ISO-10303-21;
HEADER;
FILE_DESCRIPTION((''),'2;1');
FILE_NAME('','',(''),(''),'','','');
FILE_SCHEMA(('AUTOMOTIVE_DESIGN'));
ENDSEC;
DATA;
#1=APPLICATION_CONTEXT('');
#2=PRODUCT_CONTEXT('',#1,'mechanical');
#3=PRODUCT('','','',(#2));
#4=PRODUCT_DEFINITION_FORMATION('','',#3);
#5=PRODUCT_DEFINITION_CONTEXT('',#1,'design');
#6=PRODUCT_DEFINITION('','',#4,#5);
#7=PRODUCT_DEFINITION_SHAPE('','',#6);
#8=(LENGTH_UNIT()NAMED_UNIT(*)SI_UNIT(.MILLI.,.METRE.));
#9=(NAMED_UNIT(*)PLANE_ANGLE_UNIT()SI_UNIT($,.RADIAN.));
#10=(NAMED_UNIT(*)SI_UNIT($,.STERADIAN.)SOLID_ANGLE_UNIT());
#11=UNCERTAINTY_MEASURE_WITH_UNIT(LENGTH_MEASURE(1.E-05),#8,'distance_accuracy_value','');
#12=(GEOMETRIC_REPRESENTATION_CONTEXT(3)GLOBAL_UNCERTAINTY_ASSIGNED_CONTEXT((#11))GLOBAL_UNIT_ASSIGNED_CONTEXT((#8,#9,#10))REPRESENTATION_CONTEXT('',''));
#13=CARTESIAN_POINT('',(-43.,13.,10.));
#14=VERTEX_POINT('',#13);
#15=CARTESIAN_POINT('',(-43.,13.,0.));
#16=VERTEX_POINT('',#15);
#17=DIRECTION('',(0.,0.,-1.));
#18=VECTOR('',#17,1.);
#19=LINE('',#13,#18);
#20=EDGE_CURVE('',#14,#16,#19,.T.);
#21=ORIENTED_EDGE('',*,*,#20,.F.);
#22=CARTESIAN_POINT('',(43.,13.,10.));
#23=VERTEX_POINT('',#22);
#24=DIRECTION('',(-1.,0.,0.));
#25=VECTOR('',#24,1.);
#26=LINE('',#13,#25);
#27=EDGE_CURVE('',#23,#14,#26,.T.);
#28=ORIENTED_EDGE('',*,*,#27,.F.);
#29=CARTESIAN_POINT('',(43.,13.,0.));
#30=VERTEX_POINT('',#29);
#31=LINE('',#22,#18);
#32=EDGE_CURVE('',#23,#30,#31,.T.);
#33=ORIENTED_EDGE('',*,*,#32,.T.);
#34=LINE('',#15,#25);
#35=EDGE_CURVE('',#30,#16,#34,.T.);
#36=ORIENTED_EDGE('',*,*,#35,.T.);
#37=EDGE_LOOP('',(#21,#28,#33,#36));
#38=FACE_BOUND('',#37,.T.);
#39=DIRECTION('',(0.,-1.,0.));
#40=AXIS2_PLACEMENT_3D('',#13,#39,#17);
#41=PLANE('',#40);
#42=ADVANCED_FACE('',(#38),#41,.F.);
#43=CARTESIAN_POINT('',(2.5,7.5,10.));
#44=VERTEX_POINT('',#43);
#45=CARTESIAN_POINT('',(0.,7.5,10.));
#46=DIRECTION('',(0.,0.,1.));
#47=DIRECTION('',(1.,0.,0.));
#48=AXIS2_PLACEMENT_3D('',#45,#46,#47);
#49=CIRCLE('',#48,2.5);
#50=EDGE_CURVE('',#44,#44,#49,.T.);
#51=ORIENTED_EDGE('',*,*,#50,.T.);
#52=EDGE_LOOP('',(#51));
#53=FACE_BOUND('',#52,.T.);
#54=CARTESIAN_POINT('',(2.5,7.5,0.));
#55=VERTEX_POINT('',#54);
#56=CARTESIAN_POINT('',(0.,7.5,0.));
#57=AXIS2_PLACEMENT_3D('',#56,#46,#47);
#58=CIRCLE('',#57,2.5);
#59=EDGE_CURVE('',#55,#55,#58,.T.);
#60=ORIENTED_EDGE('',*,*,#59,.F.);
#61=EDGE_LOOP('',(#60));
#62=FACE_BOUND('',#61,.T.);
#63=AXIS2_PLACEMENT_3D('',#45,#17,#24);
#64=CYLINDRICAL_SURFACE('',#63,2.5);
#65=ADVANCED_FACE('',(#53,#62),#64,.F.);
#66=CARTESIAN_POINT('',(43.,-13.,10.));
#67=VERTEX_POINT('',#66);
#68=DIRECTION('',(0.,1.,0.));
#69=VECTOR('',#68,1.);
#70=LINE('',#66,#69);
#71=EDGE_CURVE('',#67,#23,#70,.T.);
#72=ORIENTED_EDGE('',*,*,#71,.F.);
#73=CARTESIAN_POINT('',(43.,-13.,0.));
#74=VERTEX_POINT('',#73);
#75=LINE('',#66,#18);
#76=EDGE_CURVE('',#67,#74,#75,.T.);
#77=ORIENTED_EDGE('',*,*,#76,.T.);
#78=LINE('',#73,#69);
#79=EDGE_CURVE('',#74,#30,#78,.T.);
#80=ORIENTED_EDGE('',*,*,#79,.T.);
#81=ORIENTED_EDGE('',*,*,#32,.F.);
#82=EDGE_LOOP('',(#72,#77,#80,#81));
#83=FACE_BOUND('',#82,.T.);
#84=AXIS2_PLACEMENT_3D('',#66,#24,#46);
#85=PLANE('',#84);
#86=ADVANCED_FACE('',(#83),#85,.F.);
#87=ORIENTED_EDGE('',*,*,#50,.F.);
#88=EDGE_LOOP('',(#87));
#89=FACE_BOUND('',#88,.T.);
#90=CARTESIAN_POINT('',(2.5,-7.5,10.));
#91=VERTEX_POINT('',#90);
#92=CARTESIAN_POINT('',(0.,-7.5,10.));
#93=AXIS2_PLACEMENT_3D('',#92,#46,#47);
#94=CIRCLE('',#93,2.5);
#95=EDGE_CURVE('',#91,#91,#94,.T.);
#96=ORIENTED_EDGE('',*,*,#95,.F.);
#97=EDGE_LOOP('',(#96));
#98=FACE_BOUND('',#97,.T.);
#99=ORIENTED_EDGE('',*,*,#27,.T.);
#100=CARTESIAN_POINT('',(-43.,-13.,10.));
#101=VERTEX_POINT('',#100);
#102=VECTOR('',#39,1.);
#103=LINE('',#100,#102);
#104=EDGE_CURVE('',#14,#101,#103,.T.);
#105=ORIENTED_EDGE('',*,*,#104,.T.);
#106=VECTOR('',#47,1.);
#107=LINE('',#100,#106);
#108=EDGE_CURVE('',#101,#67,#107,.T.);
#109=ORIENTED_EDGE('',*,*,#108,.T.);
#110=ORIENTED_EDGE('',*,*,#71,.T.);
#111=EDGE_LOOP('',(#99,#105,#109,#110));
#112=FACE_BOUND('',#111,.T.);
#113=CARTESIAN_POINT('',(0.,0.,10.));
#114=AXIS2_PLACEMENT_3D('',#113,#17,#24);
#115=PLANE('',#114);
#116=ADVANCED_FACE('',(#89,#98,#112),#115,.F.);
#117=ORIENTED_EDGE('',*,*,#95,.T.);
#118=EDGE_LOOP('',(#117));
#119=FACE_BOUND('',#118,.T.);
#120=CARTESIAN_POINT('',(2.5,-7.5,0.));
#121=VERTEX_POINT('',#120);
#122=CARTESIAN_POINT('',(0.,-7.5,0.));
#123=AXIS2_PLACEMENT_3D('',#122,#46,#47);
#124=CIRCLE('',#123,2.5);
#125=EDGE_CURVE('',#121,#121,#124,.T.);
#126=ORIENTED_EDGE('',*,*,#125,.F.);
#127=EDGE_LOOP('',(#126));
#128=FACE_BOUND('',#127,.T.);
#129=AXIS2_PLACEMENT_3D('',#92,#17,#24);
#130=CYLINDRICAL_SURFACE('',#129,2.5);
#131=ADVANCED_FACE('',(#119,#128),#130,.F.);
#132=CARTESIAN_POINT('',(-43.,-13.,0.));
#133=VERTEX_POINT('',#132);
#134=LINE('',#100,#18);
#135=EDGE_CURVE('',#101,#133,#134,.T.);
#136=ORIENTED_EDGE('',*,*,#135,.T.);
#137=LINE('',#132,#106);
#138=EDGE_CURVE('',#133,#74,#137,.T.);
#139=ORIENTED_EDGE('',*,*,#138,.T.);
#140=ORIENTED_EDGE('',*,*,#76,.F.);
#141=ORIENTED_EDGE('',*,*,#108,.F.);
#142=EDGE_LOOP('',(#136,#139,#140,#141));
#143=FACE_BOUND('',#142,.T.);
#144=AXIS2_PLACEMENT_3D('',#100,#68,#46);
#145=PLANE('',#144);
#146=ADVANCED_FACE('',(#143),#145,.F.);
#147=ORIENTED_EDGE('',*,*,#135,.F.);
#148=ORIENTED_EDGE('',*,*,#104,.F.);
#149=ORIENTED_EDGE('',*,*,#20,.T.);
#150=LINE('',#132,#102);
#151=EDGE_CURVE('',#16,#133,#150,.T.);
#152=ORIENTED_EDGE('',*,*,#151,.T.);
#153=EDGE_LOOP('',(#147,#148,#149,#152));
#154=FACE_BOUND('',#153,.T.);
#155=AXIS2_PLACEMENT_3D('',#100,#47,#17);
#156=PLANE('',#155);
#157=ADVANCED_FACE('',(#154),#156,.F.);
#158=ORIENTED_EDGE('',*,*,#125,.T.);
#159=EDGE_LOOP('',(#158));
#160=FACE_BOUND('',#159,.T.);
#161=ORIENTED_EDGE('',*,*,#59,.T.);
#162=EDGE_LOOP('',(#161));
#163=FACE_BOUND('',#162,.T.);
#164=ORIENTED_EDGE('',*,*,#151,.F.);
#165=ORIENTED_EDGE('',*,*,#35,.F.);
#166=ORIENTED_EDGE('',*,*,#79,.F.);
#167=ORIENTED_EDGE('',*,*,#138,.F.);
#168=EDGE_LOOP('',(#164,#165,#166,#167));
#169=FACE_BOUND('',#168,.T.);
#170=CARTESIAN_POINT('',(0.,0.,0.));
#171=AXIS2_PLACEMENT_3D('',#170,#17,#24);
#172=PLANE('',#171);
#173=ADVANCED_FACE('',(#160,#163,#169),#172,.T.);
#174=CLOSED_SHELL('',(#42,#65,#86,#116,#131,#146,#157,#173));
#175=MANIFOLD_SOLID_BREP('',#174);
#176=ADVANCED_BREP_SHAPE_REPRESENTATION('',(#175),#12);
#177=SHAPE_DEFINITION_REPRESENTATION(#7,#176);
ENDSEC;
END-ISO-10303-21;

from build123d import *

# Parameters (mm, degrees)
SKETCH1_W           = 86
SKETCH1_H           = 26
SKETCH1_R           = 2.5
BOSS_EXTRUDE1_DEPTH = 10


with BuildPart() as part:
    # Sketch1 → Boss-Extrude1 (new body)
    with BuildSketch(Plane.XY):
        Rectangle(SKETCH1_W, SKETCH1_H)
        with Locations((0, 7.5)):
            Circle(SKETCH1_R, mode=Mode.SUBTRACT)
        with Locations((0, -7.5)):
            Circle(SKETCH1_R, mode=Mode.SUBTRACT)
    extrude(amount=BOSS_EXTRUDE1_DEPTH)


solid = part.part
